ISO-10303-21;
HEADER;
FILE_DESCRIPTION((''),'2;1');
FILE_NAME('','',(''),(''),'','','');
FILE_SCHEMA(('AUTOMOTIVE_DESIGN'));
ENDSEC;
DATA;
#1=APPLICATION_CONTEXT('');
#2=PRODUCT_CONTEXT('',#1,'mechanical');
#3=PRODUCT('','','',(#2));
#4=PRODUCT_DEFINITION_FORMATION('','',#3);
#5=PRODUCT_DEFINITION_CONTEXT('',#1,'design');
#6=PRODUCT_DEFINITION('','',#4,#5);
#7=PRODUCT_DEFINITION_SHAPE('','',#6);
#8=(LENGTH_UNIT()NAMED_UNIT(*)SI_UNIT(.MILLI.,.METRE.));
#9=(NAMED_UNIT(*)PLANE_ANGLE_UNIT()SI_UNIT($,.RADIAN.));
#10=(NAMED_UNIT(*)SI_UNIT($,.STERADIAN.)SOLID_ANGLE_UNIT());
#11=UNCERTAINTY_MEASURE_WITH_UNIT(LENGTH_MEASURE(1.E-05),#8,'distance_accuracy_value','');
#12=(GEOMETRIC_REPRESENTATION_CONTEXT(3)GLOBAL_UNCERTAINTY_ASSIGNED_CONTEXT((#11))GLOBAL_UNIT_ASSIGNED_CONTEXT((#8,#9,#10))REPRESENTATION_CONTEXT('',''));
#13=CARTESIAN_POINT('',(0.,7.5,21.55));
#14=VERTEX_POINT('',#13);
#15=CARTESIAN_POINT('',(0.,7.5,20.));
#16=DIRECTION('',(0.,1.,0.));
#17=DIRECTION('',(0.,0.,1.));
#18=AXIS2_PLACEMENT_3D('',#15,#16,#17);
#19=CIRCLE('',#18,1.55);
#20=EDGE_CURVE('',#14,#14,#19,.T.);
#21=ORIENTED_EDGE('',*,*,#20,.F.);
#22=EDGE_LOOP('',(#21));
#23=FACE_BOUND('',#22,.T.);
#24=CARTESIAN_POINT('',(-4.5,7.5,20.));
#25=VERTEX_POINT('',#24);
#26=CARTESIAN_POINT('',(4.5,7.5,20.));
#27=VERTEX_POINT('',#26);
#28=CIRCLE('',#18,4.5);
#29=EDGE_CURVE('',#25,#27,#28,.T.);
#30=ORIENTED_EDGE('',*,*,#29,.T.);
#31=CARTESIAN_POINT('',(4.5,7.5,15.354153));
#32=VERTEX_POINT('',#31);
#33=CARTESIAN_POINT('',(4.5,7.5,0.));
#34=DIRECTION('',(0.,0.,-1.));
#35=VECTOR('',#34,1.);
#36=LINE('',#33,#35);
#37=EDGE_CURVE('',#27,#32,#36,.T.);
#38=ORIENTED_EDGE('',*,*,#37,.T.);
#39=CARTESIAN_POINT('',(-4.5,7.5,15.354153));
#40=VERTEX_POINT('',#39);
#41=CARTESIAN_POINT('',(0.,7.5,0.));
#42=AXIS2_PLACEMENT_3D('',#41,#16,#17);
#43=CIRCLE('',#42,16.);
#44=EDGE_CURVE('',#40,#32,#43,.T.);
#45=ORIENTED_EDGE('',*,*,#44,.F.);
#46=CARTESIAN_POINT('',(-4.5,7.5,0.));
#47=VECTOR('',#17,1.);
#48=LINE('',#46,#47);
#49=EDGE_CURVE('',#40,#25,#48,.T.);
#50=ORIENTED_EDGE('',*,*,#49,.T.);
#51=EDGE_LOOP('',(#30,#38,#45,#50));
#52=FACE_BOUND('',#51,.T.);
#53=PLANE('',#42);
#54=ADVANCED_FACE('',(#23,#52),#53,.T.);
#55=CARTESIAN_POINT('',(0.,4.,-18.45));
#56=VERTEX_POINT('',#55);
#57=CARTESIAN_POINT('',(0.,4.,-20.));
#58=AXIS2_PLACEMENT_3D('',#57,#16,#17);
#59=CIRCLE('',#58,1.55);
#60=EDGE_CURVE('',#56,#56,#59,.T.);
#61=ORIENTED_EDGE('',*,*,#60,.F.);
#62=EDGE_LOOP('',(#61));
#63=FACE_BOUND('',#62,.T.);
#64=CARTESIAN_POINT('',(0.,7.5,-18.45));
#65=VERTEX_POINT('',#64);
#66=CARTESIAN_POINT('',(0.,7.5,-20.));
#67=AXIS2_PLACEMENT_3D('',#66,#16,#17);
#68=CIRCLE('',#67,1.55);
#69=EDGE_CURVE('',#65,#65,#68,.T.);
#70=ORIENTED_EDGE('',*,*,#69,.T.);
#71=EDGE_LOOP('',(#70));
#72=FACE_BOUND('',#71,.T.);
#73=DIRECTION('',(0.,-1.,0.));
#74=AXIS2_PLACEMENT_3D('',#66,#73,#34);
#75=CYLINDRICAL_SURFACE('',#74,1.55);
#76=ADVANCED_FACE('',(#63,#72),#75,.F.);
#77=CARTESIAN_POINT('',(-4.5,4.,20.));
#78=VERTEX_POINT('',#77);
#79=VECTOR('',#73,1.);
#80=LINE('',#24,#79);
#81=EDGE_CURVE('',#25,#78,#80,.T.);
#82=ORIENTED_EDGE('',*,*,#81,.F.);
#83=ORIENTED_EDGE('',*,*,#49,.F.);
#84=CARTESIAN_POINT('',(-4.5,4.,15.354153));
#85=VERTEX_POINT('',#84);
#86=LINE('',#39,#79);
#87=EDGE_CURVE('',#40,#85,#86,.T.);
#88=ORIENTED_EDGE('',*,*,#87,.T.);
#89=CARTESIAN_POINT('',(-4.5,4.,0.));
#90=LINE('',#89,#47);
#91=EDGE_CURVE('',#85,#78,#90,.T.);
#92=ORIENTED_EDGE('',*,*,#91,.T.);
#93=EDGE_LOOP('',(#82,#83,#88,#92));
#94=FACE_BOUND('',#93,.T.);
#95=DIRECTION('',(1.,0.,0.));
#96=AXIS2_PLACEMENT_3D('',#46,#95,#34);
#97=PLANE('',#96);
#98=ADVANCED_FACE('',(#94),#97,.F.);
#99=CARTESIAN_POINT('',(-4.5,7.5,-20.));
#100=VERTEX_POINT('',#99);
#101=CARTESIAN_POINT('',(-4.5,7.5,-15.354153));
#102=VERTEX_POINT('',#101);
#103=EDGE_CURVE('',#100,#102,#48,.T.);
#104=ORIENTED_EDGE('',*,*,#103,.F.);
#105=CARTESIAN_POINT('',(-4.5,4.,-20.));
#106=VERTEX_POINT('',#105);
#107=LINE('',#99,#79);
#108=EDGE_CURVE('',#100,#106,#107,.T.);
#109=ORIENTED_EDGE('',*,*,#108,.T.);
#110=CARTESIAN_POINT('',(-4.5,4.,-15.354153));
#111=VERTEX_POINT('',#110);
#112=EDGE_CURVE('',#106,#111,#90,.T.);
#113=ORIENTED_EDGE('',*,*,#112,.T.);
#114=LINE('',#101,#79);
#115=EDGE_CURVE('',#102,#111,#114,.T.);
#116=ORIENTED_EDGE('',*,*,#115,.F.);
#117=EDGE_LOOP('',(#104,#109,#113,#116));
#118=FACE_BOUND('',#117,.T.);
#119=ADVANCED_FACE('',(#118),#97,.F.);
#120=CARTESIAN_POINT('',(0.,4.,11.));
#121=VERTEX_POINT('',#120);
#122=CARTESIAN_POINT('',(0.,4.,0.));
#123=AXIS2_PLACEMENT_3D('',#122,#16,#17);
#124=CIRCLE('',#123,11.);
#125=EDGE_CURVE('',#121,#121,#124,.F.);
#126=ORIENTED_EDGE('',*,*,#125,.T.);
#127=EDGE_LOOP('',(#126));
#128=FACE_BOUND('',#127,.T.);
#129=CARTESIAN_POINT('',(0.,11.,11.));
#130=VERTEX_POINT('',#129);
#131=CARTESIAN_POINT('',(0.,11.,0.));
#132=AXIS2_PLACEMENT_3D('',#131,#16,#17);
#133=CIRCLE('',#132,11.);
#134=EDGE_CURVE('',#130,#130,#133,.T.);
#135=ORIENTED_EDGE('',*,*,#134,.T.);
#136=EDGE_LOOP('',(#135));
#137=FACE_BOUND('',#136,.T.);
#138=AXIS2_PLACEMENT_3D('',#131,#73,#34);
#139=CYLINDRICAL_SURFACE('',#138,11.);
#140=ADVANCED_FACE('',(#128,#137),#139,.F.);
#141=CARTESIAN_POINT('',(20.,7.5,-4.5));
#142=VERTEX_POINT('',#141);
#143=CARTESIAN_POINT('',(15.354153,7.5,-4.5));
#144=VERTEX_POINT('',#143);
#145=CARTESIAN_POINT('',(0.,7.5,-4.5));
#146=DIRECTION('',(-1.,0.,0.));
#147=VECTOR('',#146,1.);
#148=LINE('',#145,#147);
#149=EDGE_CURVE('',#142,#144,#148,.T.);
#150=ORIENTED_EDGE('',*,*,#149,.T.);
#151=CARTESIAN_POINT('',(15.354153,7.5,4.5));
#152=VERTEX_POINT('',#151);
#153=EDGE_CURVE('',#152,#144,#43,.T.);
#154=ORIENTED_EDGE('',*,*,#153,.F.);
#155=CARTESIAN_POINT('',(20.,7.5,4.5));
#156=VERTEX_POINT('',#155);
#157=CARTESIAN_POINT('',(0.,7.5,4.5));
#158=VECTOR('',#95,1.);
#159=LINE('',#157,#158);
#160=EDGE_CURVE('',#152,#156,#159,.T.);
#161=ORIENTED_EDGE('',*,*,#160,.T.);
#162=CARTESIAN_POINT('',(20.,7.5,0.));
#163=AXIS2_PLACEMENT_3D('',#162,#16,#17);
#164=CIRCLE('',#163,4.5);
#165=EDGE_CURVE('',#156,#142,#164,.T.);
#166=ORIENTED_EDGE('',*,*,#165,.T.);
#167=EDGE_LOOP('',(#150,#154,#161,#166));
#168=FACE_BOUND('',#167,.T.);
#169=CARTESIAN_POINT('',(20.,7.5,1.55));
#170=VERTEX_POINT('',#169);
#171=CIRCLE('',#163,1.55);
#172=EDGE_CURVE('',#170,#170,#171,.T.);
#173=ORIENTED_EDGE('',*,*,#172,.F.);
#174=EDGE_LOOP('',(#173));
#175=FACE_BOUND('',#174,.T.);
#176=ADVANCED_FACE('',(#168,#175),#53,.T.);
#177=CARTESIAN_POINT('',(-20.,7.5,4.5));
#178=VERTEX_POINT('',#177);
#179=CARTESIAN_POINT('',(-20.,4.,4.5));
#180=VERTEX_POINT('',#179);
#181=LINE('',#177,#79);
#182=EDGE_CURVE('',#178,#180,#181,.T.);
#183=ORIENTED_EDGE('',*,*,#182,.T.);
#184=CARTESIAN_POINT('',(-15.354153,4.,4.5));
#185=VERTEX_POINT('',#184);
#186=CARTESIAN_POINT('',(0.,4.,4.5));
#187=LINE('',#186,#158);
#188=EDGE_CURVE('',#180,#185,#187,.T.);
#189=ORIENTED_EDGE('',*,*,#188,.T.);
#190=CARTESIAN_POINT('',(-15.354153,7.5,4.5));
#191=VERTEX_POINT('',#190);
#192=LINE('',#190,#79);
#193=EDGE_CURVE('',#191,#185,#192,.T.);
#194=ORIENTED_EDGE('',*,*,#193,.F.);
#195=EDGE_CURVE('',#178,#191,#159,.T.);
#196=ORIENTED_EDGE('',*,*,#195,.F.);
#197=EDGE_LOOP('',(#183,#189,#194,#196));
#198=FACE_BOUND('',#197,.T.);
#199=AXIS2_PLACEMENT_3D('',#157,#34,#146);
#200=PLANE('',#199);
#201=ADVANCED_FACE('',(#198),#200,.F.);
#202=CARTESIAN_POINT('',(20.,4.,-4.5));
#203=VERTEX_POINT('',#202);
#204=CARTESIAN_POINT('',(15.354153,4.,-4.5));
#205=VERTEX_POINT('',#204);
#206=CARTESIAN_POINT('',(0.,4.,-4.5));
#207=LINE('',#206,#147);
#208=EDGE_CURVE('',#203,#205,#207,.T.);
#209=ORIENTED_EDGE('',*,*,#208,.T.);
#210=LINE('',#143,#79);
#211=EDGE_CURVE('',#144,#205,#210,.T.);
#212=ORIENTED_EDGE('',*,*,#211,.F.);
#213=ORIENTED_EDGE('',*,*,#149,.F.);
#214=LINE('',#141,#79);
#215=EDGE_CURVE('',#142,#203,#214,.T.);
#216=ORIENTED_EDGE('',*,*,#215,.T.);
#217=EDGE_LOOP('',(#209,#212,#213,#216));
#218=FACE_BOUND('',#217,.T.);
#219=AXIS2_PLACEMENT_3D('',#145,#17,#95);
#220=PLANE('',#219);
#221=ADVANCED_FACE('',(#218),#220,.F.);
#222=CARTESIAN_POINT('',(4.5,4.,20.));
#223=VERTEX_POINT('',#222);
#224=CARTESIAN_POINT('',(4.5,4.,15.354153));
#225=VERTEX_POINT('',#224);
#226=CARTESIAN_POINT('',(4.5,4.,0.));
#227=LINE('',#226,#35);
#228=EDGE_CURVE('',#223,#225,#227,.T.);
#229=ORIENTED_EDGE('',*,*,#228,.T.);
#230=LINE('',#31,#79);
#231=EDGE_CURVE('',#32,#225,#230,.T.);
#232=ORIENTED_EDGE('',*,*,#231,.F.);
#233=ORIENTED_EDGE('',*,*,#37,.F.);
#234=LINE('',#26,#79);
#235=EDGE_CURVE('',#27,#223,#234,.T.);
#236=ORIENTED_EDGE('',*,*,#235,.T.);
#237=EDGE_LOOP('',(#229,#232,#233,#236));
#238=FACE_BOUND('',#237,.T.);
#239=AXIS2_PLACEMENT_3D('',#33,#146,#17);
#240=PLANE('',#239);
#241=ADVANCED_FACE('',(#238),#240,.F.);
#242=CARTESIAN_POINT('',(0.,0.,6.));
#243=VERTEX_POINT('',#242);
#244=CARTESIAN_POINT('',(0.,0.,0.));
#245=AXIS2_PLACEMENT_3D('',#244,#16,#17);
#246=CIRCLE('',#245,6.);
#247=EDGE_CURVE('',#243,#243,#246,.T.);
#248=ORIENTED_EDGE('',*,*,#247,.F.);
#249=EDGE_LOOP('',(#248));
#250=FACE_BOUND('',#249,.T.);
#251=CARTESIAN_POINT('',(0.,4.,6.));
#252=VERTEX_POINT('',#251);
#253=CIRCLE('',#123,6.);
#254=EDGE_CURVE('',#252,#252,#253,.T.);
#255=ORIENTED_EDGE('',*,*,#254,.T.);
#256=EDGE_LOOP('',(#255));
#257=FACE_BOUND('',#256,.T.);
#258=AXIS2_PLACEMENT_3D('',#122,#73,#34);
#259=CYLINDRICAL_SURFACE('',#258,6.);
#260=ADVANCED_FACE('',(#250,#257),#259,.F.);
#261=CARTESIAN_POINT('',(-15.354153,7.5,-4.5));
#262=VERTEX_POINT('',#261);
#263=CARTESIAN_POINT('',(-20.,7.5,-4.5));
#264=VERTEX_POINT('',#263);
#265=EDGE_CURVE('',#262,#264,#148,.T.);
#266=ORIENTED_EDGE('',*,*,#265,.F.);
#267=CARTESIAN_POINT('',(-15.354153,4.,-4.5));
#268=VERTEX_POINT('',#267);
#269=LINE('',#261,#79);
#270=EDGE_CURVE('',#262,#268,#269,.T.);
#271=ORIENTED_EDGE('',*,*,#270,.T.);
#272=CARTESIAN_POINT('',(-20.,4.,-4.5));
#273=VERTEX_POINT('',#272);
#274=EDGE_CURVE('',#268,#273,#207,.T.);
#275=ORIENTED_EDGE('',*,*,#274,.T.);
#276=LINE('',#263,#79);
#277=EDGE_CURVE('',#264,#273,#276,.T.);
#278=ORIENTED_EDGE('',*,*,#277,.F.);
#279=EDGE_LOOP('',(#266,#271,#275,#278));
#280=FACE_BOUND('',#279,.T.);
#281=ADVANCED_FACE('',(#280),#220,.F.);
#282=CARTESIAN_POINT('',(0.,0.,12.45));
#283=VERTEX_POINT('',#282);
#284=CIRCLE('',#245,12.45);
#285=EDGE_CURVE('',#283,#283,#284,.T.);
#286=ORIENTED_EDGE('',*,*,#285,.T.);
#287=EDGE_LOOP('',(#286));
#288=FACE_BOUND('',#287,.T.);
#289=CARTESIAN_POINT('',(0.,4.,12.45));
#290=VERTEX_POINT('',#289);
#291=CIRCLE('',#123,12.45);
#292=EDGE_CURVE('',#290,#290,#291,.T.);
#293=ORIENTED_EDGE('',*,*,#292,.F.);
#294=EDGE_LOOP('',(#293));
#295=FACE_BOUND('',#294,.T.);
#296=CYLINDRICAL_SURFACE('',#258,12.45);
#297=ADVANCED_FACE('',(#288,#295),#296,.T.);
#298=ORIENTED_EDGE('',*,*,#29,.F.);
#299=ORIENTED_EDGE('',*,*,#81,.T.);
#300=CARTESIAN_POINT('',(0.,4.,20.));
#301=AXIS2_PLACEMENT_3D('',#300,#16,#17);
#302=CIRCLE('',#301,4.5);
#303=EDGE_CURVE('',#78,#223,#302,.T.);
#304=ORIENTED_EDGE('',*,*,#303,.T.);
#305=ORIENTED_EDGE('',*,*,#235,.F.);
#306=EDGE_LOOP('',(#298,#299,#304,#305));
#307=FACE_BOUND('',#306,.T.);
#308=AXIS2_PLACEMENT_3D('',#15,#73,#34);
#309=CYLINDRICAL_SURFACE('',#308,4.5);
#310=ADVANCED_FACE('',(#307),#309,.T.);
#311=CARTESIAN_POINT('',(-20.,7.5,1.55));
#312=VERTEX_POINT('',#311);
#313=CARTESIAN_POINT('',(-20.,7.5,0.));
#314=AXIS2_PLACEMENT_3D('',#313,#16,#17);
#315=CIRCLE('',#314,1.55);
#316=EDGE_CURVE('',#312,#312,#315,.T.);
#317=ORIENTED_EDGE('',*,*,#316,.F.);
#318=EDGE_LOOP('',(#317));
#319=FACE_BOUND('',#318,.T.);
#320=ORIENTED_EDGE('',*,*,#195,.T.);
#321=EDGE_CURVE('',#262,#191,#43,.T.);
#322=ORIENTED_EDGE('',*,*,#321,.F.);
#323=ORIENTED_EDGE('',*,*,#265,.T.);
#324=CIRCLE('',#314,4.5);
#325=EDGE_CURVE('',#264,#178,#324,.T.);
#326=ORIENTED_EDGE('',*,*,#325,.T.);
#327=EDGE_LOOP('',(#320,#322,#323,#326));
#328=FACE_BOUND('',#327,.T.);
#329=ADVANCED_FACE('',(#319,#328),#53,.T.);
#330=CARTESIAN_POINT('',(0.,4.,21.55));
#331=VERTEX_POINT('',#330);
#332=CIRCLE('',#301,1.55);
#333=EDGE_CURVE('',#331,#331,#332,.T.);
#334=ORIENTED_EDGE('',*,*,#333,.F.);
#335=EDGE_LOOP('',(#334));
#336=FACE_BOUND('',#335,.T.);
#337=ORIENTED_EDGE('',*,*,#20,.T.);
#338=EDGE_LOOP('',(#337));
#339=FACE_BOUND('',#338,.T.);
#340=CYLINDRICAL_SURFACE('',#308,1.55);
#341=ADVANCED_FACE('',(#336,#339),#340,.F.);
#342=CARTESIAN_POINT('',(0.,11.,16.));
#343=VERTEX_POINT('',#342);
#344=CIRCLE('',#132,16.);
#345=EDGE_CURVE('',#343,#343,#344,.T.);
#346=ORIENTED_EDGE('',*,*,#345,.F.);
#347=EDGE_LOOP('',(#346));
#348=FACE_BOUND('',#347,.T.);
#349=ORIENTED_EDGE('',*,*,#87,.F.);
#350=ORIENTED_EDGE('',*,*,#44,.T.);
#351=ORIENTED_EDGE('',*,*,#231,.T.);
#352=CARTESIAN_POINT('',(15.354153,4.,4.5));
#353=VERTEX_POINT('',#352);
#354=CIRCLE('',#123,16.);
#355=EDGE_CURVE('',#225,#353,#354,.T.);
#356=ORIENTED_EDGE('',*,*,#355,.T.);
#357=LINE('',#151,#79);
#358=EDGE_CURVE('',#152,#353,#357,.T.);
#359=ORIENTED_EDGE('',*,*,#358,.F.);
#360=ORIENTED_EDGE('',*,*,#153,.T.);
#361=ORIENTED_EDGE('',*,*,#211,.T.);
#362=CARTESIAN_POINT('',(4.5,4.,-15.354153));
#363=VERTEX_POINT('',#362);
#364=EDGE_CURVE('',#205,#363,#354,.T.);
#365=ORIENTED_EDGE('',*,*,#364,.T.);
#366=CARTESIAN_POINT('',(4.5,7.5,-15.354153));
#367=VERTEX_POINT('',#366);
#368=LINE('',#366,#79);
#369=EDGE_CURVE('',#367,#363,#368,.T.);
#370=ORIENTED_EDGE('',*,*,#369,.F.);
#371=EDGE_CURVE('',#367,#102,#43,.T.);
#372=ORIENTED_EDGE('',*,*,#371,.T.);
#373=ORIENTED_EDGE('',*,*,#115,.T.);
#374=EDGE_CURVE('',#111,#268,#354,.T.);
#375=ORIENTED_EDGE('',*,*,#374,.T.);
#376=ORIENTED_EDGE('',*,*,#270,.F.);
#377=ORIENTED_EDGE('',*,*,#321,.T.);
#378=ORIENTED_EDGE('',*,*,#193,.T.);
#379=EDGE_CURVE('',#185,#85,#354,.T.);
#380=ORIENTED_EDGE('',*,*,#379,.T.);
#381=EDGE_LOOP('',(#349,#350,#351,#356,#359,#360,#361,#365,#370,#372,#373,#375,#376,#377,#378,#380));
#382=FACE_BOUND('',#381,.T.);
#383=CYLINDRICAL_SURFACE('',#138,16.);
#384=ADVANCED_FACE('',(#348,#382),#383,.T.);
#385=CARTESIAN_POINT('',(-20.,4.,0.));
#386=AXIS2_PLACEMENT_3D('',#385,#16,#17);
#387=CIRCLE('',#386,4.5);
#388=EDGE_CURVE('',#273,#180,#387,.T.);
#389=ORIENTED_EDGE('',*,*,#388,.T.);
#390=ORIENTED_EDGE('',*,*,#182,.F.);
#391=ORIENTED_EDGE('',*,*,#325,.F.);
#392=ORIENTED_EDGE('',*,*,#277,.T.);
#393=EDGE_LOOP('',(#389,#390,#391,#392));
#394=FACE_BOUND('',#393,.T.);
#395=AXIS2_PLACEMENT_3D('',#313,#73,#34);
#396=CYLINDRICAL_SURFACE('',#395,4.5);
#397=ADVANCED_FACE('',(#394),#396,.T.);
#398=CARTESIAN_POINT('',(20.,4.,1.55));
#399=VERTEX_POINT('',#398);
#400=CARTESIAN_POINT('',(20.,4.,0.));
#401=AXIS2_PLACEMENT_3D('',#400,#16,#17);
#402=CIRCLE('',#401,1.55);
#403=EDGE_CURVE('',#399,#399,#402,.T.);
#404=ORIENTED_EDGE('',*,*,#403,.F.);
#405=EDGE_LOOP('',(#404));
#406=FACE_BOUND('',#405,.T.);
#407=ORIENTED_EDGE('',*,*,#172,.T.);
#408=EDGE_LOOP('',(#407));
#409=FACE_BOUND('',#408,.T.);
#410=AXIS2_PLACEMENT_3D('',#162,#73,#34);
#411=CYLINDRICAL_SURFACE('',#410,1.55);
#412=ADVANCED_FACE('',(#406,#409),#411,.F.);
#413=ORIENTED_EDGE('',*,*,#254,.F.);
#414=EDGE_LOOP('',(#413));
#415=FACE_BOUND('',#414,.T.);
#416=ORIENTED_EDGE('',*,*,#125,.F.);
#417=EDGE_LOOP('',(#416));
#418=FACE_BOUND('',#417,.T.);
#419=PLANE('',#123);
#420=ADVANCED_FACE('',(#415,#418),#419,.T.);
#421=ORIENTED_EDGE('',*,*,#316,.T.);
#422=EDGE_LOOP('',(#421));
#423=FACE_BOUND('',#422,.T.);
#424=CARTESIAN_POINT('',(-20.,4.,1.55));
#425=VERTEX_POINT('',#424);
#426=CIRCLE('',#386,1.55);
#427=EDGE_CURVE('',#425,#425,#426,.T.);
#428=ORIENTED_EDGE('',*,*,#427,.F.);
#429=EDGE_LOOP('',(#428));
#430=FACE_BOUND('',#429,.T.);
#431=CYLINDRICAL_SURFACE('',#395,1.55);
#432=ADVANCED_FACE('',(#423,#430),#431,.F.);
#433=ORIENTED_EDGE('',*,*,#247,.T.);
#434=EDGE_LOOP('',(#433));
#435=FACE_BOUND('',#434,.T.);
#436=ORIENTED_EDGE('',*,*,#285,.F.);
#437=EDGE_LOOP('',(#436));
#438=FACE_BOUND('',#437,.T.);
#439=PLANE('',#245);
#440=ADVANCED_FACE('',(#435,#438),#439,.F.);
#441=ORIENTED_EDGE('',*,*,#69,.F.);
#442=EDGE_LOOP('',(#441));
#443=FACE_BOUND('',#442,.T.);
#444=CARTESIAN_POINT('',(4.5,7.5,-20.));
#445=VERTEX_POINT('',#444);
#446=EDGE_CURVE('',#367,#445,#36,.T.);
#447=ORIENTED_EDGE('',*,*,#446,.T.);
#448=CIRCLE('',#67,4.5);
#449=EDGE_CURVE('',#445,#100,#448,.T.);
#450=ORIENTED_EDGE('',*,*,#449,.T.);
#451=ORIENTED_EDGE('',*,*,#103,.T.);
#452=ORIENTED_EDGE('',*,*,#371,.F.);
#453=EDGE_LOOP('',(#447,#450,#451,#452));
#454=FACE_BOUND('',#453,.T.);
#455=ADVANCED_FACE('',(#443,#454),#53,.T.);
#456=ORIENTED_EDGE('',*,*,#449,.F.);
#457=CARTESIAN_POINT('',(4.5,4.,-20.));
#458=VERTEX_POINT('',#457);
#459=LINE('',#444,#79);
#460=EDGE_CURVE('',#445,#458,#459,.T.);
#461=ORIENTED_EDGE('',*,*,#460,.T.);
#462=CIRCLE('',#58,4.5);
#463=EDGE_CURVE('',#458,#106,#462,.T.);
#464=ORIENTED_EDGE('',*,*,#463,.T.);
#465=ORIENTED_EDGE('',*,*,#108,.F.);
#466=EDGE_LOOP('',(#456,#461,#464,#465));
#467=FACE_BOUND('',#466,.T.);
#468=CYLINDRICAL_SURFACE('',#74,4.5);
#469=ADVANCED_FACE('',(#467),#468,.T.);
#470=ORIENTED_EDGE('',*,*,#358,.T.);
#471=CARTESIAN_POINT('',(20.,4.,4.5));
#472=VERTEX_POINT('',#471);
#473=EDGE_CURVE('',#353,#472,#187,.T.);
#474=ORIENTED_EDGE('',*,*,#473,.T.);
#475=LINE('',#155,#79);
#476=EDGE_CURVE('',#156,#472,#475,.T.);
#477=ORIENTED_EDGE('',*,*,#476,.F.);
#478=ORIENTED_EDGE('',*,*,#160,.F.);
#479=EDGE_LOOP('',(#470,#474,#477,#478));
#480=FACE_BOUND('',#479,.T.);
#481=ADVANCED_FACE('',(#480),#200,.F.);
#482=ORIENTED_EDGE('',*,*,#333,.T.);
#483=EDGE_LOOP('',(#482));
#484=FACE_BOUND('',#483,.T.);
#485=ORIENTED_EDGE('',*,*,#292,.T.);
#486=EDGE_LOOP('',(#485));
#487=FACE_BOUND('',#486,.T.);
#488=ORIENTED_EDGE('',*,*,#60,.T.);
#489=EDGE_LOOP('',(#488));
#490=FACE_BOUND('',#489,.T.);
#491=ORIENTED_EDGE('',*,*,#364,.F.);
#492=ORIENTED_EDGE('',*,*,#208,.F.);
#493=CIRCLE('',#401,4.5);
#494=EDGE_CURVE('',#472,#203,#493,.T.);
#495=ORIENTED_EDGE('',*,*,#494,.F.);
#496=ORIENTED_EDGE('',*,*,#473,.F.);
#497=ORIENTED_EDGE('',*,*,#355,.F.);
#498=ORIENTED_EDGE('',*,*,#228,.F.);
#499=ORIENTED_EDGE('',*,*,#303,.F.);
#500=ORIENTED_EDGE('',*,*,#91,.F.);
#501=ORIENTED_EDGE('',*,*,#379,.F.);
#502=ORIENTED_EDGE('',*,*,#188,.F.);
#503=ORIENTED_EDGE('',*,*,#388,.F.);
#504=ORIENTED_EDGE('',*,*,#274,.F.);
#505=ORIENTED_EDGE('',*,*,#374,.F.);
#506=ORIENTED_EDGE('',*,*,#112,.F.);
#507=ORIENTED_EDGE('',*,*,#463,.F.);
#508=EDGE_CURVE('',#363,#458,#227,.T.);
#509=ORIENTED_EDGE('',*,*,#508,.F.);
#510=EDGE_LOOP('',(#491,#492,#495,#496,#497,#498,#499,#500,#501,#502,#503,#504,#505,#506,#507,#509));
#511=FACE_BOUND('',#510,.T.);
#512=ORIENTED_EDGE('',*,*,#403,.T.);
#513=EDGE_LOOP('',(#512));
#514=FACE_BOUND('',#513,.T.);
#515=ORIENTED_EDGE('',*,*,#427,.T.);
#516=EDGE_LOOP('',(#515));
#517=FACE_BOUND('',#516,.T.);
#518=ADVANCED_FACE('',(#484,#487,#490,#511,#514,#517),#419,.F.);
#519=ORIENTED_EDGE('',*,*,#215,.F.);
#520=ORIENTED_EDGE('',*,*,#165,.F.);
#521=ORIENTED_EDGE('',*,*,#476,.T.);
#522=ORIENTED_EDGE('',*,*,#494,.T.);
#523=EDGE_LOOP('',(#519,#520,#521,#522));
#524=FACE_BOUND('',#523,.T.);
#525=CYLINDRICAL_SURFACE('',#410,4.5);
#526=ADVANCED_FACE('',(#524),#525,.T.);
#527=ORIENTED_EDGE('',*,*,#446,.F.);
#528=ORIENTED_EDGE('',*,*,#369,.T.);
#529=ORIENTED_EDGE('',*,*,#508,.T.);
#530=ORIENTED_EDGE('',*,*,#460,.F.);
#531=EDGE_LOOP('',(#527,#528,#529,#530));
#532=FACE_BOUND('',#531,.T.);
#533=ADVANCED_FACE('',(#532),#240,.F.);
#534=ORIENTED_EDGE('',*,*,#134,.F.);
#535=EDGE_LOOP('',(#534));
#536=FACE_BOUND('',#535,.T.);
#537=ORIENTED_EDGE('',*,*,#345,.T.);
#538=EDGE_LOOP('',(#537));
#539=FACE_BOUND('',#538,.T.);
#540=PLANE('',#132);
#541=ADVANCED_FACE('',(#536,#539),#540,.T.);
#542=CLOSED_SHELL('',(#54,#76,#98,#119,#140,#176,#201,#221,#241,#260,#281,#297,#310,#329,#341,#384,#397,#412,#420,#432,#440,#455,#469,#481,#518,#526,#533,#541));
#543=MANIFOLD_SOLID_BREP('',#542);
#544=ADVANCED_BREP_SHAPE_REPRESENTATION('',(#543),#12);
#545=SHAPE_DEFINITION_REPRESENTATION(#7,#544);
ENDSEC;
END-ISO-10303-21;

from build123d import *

# Parameters (mm, degrees)
SKETCH1_R           = 12.45
SKETCH1_R_2         = 6
BOSS_EXTRUDE1_DEPTH = 4
SKETCH2_R           = 16
SKETCH2_R_2         = 11
BOSS_EXTRUDE2_DEPTH = 7
BOSS_EXTRUDE3_START = -7
SKETCH3_R           = 1.55
BOSS_EXTRUDE3_DEPTH = 3.5
CIRPATTERN1_COUNT   = 4


with BuildPart() as part:
    # Sketch1 → Boss-Extrude1 (new body)
    with BuildSketch(Plane(origin=(0, 0, 0), x_dir=(1, 0, 0), z_dir=(0, 1, 0))):
        with Locations(Location((0, 0, 0), (0, 0, 270))):
            Circle(SKETCH1_R)
        with Locations(Location((0, 0, 0), (0, 0, 270))):
            Circle(SKETCH1_R_2, mode=Mode.SUBTRACT)
    extrude(amount=BOSS_EXTRUDE1_DEPTH)

    # Sketch2 → Boss-Extrude2 (add)
    with BuildSketch(Plane(origin=(0, 4, 0), x_dir=(1, 0, 0), z_dir=(0, 1, 0))):
        with Locations(Location((0, 0, 0), (0, 0, 270))):
            Circle(SKETCH2_R)
        with Locations(Location((0, 0, 0), (0, 0, 270))):
            Circle(SKETCH2_R_2, mode=Mode.SUBTRACT)
    extrude(amount=BOSS_EXTRUDE2_DEPTH)

    # Sketch3 → Boss-Extrude3 (add)
    with BuildSketch(Plane(origin=(0, 11, 0), x_dir=(1, 0, 0), z_dir=(0, 1, 0)).offset(BOSS_EXTRUDE3_START)):
        with BuildLine():
            Line((-4.5, 20), (-4.5, 15.354152533))
            ThreePointArc((-4.5, 15.354152533), (0, 16), (4.5, 15.354152533))
            Line((4.5, 15.354152533), (4.5, 20))
            ThreePointArc((4.5, 20), (0, 24.5), (-4.5, 20))
        make_face()
        with Locations(Location((0, 20, 0), (0, 0, 270))):
            Circle(SKETCH3_R, mode=Mode.SUBTRACT)
    boss_extrude3 = extrude(amount=BOSS_EXTRUDE3_DEPTH)

    # CirPattern1: Boss-Extrude3 ×4 about axis
    cirpattern1_axis = Axis((0, 0, 0), (0, 1, 0))
    for i in range(1, CIRPATTERN1_COUNT):
        add(boss_extrude3.rotate(cirpattern1_axis, i * 360 / CIRPATTERN1_COUNT))


solid = part.part
